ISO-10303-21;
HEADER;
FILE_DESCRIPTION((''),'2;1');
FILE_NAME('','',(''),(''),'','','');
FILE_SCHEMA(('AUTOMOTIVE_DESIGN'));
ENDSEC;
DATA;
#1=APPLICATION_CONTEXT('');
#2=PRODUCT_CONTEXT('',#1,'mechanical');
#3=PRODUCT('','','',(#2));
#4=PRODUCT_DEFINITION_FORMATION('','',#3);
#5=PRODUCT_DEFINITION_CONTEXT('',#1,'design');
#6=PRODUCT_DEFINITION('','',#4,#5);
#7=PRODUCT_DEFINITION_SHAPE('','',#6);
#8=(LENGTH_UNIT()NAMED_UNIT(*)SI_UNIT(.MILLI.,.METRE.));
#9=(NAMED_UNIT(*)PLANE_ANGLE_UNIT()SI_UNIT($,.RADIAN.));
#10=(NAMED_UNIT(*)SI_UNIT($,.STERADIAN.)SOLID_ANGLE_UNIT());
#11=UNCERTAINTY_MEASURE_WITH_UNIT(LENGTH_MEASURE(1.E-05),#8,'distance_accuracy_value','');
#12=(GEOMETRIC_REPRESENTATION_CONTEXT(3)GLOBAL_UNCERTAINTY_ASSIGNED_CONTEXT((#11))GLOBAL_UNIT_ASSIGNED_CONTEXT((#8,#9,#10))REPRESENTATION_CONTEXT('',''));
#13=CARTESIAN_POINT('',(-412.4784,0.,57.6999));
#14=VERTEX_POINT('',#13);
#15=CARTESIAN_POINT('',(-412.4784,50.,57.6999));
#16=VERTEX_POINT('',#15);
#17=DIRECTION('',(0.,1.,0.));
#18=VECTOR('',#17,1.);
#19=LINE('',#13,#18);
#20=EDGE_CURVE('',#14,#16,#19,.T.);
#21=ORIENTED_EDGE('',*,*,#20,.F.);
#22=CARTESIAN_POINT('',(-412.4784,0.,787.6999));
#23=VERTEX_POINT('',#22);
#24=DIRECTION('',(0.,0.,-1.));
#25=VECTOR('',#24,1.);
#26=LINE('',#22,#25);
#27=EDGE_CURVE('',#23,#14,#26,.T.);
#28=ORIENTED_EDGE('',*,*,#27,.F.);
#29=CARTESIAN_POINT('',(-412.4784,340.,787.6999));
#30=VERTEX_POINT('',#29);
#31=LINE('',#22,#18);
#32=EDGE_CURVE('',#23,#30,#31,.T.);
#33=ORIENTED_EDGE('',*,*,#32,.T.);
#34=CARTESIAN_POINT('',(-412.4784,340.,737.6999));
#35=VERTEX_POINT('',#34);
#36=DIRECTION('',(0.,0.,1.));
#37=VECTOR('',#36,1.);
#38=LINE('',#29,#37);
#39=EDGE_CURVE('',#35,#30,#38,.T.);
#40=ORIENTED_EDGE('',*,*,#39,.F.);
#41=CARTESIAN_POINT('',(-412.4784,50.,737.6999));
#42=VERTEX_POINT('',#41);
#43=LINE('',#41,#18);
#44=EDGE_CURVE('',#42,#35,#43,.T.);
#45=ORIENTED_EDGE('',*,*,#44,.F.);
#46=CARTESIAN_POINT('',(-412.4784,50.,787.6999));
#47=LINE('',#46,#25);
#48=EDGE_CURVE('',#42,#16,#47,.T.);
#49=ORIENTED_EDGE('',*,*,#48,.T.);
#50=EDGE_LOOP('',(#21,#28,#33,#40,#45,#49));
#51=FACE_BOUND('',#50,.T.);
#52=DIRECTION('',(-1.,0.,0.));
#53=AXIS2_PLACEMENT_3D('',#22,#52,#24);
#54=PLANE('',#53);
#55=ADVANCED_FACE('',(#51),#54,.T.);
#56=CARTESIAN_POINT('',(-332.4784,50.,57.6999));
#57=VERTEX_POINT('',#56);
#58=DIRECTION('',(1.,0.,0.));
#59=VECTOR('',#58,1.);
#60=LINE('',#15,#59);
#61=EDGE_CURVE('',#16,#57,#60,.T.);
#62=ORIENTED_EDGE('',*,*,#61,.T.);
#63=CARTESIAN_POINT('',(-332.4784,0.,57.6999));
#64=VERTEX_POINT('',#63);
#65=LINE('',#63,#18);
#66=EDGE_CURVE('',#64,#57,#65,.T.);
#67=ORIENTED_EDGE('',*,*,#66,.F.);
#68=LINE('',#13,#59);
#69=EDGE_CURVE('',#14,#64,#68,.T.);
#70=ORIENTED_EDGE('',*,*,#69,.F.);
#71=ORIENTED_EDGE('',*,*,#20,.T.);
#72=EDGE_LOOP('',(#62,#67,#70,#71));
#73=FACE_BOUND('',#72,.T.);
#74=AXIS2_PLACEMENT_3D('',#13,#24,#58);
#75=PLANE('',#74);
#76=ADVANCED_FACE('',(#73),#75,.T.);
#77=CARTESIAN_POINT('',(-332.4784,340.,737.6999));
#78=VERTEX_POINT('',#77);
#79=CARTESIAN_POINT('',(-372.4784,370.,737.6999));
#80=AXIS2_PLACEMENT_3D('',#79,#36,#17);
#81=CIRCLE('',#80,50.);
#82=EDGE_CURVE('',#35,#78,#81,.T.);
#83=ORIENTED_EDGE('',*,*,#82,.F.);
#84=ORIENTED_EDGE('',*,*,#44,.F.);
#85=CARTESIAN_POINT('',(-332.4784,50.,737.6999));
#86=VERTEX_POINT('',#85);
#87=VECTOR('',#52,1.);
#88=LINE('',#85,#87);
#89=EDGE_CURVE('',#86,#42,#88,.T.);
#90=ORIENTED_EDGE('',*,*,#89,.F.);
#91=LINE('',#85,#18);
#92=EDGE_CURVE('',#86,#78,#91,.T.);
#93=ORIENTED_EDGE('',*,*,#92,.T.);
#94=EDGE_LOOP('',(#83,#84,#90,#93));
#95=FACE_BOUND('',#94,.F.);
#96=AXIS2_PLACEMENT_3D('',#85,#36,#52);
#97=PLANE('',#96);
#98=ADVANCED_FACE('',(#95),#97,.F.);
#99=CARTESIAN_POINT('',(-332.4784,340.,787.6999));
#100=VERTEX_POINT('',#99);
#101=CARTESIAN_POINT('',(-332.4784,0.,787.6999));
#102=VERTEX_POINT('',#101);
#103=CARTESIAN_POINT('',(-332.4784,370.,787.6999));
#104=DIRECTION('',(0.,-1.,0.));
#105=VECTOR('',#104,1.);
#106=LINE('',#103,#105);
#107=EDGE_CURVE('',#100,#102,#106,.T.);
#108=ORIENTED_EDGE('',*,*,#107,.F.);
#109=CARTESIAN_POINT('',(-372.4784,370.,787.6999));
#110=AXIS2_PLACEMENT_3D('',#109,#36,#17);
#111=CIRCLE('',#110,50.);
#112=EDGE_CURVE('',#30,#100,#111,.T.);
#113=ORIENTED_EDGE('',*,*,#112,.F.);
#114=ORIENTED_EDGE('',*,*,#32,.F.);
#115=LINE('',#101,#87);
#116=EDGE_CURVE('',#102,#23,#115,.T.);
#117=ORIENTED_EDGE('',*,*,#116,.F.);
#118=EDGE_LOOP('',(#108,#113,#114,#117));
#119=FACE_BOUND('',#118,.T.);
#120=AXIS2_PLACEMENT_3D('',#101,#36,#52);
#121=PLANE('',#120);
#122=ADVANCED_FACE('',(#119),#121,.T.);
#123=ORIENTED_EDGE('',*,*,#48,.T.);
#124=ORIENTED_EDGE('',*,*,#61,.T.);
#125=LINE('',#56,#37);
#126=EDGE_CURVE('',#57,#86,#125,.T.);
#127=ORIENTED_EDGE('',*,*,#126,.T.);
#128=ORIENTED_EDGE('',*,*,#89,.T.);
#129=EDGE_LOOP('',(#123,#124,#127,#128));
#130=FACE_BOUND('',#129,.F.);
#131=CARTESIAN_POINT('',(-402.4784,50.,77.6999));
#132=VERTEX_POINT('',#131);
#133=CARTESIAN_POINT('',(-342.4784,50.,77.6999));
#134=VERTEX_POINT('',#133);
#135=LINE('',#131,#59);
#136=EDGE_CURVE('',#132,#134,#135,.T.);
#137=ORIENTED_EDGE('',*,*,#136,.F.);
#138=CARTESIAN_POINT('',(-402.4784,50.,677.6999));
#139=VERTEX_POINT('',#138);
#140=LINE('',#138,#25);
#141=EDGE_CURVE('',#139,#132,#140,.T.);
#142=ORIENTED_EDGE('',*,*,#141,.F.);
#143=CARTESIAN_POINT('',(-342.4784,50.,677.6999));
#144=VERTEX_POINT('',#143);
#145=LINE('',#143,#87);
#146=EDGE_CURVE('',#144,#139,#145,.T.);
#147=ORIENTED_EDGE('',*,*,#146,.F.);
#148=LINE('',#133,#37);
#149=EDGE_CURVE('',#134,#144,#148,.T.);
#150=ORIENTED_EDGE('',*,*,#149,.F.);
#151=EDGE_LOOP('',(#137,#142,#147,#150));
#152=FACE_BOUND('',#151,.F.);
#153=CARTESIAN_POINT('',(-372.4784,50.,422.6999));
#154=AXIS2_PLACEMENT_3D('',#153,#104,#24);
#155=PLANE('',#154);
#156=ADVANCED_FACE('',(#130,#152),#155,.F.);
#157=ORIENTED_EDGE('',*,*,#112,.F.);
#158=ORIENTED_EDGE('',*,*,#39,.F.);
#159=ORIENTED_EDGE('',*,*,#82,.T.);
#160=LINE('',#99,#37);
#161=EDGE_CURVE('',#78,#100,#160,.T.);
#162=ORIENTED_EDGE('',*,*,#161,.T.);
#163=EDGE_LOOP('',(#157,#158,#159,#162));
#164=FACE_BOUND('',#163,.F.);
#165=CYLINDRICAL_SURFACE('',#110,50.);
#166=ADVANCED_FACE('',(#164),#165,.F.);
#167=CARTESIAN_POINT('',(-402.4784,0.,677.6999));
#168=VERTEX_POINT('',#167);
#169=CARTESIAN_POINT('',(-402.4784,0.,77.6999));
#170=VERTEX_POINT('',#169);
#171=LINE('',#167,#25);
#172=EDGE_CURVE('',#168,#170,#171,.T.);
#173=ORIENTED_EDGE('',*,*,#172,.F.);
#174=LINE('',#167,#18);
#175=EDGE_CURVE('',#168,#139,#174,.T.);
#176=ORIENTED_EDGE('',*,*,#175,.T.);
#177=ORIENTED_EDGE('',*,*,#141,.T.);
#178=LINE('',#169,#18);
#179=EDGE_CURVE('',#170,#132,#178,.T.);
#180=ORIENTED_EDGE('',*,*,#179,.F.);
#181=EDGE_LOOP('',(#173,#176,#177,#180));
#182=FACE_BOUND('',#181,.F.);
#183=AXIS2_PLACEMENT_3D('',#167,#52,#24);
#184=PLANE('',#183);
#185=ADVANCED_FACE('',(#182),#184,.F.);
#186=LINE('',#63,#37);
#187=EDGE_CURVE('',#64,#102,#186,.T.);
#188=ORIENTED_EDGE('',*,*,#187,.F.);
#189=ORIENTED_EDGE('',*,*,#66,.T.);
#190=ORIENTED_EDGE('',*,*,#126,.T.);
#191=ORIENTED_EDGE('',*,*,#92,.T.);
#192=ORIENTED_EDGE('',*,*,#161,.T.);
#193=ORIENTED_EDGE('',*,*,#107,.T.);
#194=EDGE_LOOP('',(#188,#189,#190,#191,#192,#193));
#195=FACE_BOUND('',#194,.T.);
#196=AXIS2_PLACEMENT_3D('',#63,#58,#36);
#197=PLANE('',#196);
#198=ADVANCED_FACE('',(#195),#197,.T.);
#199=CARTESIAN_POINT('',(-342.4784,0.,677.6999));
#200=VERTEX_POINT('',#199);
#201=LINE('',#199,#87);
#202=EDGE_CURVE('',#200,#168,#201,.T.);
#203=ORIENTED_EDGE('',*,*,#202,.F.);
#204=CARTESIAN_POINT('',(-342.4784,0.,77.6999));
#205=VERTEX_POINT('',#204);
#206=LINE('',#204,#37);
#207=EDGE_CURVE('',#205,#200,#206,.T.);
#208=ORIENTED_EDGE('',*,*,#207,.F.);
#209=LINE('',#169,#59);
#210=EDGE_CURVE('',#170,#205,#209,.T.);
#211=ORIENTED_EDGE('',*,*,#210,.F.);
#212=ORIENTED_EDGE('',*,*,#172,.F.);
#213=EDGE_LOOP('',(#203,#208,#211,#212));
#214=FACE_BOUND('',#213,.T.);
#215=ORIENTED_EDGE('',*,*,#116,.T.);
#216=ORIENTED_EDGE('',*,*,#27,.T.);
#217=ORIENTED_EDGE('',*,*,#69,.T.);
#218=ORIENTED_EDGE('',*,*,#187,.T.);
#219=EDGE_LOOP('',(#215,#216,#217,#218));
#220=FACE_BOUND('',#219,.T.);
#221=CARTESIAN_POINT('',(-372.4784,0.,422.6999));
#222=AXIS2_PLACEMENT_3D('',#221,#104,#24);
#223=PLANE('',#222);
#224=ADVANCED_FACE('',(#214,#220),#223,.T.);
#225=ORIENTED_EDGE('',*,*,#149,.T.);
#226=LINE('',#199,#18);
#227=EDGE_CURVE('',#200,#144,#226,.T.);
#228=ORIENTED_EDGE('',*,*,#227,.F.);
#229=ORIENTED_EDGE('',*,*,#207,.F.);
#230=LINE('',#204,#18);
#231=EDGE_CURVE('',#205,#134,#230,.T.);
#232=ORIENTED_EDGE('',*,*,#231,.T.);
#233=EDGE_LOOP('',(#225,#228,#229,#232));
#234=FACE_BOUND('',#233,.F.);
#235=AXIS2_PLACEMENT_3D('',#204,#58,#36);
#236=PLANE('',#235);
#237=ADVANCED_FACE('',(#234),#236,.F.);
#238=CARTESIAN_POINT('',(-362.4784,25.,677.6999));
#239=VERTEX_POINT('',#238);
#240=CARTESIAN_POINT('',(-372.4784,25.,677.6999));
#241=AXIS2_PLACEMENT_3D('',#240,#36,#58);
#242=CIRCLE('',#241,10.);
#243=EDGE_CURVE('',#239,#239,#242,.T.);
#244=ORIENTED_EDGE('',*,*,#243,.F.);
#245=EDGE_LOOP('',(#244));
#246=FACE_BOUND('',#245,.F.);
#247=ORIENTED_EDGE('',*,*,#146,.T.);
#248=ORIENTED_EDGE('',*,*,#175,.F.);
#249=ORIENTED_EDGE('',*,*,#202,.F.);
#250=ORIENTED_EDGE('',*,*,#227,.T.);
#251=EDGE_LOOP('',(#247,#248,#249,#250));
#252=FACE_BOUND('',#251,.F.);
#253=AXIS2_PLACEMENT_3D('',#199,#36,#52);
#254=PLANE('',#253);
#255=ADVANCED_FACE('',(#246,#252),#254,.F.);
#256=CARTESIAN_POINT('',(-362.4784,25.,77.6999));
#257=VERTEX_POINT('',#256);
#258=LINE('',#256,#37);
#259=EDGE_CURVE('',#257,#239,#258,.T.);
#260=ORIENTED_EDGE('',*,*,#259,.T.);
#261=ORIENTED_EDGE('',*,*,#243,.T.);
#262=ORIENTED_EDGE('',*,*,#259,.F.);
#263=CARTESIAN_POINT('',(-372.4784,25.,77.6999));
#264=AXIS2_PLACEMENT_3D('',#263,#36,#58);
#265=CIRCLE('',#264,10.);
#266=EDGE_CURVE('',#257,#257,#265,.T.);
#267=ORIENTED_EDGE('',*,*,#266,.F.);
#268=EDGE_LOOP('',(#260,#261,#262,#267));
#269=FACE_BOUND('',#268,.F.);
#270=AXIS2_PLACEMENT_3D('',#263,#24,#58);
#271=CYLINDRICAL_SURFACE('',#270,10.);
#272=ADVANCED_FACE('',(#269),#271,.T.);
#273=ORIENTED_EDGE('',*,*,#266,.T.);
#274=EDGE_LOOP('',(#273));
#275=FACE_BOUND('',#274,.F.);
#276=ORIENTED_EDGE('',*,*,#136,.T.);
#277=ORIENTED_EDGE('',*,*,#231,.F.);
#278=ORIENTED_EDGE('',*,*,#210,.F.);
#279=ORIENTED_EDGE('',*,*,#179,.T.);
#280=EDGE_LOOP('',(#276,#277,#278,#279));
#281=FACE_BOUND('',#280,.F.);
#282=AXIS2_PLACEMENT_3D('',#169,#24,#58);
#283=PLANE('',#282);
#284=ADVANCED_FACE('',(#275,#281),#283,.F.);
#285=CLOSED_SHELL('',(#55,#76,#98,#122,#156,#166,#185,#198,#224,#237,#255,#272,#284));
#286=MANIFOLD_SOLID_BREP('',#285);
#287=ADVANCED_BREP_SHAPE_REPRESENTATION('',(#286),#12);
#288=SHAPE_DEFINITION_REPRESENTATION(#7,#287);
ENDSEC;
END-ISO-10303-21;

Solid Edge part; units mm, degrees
sketch "Sketch1" plane through (0, 0, 0) normal (0, -1, 0) x (1, 0, 0)
  line L0 (-402.4784, 77.6999) -> (-342.4784, 77.6999)
  line L1 (-342.4784, 77.6999) -> (-342.4784, 677.6999)
  line L2 (-342.4784, 677.6999) -> (-402.4784, 677.6999)
  line L3 (-402.4784, 677.6999) -> (-402.4784, 77.6999)
  line L4 (-412.4784, 57.6999) -> (-332.4784, 57.6999)
  line L5 (-332.4784, 57.6999) -> (-332.4784, 787.6999)
  line L6 (-332.4784, 787.6999) -> (-412.4784, 787.6999)
  line L7 (-412.4784, 787.6999) -> (-412.4784, 57.6999)
  dimension "D1" = 600
  dimension "D2" = 60
  dimension "D3" = 80
  dimension "D4" = 730
  dimension "D5" = 20
extrude "Protrusion1" add sketch "Sketch1" against normal blind 50
sketch "Sketch2" plane through (-372.4784, 25, 77.6999) normal (0, 0, 1) x (1, 0, 0)
  circle A0 centre (0, 0) radius 10
extrude "Protrusion2" add sketch "Sketch2" along normal up to surface (600 mm away)
sketch "Sketch3" plane through (-372.4784, 50, 247.6999) normal (0, 1, 0) x (0, 0, 1)
  line L0 (490, -40) -> (540, -40)
  line L1 (540, -40) -> (540, 40)
  line L2 (540, 40) -> (490, 40)
  line L3 (490, 40) -> (490, -40)
  dimension "D1" = 80
  dimension "D2" = 50
  dimension "D3" = 50
extrude "ExtrudedProtrusion_3" add sketch "Sketch3" along normal blind 320
sketch "Sketch4" plane through (-372.4784, 310, 787.6999) normal (0, 0, 1) x (0, 1, 0)
  circle A0 centre (60, 0) radius 50
extrude "Cutout1" cut sketch "Sketch4" against normal through all
